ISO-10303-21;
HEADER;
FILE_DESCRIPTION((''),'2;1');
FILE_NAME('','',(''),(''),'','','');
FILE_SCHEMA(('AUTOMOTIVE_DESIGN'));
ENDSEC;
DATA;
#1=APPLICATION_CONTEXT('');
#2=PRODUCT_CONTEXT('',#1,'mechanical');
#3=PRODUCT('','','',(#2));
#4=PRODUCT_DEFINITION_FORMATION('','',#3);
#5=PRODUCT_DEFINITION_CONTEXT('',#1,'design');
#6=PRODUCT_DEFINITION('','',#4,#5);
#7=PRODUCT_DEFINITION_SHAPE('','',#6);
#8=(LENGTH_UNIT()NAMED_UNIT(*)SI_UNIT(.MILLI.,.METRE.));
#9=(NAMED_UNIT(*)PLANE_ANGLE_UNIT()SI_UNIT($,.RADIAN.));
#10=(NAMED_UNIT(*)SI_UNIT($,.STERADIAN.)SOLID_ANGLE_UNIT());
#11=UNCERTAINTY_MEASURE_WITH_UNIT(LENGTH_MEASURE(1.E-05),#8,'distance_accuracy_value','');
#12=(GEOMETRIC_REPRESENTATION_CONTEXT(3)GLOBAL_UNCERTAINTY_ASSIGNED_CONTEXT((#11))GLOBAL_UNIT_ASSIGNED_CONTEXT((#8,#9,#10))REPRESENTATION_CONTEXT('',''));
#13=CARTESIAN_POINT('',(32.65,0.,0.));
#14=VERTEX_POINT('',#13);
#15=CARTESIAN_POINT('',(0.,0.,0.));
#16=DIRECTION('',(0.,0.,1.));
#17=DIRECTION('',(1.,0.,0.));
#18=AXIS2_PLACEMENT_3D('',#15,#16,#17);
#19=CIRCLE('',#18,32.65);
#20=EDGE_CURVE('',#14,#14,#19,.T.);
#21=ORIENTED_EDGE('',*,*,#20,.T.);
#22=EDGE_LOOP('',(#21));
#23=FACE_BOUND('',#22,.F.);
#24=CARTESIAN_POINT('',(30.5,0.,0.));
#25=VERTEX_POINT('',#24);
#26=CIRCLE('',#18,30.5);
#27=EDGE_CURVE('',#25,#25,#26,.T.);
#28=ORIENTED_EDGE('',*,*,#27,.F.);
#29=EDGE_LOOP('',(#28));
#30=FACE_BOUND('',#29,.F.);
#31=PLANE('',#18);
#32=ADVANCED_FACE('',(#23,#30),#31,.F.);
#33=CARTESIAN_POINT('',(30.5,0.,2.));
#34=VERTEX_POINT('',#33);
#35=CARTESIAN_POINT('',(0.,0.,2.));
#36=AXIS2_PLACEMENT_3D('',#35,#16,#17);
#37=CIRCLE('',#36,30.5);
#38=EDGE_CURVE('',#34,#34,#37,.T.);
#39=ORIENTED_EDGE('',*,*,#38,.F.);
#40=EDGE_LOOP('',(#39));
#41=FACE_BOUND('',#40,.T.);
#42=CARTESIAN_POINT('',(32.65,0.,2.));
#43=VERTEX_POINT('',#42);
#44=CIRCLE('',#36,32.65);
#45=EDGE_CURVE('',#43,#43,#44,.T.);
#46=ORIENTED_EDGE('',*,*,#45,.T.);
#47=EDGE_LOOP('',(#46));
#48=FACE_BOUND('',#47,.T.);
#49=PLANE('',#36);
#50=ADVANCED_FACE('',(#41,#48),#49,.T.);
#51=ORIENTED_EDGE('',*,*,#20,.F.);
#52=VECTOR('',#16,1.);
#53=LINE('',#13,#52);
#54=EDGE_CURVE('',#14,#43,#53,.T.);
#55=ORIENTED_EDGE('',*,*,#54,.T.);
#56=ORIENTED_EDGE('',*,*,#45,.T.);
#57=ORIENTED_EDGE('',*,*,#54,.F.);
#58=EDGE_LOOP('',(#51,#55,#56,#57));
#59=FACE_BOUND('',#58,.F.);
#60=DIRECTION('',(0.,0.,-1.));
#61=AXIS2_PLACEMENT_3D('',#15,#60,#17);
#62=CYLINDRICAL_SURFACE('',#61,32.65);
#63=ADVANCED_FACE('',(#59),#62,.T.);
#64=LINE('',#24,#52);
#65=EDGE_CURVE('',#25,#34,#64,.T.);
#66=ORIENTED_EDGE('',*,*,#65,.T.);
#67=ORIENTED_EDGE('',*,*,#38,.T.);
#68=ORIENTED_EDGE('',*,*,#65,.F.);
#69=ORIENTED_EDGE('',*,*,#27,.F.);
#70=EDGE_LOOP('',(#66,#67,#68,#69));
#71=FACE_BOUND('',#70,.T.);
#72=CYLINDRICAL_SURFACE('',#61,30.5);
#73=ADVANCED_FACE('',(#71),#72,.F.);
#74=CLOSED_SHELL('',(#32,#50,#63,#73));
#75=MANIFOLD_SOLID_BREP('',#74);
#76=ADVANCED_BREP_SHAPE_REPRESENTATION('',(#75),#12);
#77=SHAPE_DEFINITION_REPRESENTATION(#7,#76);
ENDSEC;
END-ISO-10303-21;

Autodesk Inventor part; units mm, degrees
ref_plane "YZ Plane" through (0, 0, 0) normal (1, 0, 0) x (0, 1, 0)
ref_plane "XZ Plane" through (0, 0, 0) normal (0, 1, 0) x (-1, 0, 0)
ref_plane "XY Plane" through (0, 0, 0) normal (0, 0, 1) x (1, 0, 0)
sketch "Sketch1" plane through (0, 0, 0) normal (0, 0, 1) x (1, 0, 0)
  circle A0 centre (0, 0) radius 30.5
  circle A1 centre (0, 0) radius 32.65
  point P0 (-27.1505, 13.896)
  point P1 (-29.5453, 13.896)
extrude "Extrusion1" add sketch "Sketch1" along normal blind 2
properties part number "ArmBpdySpacer"
